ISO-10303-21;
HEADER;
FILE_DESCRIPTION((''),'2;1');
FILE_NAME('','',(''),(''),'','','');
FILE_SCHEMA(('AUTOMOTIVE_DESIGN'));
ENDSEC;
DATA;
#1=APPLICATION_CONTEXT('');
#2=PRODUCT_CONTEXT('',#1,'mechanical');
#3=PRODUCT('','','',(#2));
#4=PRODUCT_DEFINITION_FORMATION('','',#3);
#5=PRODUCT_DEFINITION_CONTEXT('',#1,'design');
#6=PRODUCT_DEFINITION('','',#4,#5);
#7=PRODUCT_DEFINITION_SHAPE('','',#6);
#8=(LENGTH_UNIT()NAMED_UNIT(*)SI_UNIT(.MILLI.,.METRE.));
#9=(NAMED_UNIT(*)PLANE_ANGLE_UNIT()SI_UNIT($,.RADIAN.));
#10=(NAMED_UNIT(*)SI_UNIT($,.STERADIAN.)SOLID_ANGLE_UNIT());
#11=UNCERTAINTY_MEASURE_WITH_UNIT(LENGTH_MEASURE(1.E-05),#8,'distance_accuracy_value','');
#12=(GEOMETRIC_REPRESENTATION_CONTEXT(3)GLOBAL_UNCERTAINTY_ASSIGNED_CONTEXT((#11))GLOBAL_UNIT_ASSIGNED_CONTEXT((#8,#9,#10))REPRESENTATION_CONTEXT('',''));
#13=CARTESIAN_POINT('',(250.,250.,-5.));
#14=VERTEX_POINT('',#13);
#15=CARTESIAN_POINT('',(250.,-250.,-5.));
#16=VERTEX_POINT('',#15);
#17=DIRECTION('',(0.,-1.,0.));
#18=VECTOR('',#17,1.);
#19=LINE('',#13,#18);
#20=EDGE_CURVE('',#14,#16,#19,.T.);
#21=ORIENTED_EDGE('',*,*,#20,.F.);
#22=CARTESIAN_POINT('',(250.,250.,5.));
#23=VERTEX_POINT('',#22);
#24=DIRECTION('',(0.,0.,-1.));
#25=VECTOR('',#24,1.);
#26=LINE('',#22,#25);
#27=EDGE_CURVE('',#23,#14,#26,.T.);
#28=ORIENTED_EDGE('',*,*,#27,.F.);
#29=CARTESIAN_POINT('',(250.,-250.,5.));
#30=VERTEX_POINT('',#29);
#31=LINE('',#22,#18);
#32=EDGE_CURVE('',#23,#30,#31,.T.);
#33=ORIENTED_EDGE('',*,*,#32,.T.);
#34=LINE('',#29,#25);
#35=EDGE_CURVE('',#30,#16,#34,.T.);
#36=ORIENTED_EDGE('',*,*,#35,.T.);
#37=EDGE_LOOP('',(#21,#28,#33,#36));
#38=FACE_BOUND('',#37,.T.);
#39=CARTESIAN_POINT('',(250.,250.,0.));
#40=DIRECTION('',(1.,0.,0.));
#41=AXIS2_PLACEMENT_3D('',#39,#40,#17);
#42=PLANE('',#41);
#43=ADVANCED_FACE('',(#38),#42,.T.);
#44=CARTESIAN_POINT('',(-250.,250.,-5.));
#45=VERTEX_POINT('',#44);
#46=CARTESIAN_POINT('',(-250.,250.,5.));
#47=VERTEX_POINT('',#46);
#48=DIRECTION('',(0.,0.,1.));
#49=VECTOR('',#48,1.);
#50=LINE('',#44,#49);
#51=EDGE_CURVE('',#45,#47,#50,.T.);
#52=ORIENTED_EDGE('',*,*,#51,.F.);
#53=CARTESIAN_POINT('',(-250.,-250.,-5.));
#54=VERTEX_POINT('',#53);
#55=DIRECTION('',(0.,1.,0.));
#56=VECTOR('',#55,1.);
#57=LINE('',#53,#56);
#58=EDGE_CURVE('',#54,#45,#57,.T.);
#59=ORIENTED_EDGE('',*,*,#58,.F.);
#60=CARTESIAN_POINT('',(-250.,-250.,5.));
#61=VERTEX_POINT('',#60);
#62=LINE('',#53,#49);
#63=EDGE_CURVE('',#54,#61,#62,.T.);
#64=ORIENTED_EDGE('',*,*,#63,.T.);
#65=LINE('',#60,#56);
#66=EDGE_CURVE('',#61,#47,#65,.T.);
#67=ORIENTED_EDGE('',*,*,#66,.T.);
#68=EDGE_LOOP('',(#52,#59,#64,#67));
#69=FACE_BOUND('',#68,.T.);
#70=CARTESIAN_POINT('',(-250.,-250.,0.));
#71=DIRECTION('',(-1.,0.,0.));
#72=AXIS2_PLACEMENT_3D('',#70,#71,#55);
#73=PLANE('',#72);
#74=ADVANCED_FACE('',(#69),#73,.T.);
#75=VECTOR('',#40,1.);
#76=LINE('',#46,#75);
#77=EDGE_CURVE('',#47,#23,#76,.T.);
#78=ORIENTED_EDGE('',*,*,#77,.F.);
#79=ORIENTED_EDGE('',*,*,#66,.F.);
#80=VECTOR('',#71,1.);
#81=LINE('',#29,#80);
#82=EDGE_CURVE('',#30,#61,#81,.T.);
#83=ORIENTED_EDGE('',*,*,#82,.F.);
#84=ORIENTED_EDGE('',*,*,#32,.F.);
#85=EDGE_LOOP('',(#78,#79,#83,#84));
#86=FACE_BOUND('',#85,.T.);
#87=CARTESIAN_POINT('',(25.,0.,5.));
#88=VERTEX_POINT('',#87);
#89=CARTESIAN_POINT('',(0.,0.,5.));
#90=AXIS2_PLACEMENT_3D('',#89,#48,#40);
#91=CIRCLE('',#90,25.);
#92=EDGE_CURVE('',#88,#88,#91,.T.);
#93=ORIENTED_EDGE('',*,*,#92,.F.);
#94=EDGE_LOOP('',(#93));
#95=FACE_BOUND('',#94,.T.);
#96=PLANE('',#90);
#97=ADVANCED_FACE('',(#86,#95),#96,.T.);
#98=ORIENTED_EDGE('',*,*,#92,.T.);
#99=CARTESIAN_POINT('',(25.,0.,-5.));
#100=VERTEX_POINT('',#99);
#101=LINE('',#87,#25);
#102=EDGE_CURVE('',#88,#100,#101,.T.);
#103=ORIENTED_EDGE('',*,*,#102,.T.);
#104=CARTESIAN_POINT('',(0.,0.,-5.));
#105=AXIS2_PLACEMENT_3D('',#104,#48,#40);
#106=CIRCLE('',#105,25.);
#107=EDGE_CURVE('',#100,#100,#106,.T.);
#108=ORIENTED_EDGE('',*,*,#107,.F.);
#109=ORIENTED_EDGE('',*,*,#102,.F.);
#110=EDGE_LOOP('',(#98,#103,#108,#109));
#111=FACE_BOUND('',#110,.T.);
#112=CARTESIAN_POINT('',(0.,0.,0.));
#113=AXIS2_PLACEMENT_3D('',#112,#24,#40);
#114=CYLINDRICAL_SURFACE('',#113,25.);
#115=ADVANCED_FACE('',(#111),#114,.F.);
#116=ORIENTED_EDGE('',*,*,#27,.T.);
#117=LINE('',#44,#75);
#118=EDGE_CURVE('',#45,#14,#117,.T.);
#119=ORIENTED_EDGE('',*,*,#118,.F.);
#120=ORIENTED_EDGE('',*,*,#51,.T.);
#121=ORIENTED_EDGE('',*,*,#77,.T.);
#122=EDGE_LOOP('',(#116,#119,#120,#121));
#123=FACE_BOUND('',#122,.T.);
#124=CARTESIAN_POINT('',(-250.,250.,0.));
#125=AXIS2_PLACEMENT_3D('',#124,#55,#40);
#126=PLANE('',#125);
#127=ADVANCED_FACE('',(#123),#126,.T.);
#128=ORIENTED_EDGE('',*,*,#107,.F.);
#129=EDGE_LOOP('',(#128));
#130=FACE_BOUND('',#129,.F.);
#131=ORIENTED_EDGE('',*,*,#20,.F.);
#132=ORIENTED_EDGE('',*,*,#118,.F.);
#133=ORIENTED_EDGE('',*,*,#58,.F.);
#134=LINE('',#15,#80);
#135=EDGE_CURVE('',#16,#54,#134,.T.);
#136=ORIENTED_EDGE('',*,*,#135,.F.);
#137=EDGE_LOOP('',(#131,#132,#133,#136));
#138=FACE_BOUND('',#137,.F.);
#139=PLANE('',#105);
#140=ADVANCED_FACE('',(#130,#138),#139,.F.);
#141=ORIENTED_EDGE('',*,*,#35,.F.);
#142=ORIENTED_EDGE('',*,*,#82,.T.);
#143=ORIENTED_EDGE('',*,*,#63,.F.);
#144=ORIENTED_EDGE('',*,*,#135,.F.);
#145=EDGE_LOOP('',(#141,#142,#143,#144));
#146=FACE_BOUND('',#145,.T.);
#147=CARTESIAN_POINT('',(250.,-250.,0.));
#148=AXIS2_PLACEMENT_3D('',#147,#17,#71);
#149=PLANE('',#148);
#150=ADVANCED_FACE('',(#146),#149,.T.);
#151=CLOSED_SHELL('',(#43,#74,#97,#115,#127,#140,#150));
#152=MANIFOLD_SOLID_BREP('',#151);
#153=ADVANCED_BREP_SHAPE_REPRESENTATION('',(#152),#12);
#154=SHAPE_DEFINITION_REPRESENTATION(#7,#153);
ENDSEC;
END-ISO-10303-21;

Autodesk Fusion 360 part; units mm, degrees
sketch "Sketch1" plane through (0, 0, 0) normal (0, 0, 1) x (1, 0, 0)
  circle A0 centre (0, 0) radius 25
  line L0 (-250, 250) -> (250, 250)
  line L1 (250, 250) -> (250, -250)
  line L2 (250, -250) -> (-250, -250)
  line L3 (-250, -250) -> (-250, 250)
  line L4 (-250, 0) -> (250, 0) construction
  line L5 (0, -250) -> (0, 250) construction
  dimension "Total_Width" = 500
  dimension "Hole_Radius" = 25
extrude "Extrude1" add sketch "Sketch1" along normal mid plane 10
equation "Thickness = 1 cm"
